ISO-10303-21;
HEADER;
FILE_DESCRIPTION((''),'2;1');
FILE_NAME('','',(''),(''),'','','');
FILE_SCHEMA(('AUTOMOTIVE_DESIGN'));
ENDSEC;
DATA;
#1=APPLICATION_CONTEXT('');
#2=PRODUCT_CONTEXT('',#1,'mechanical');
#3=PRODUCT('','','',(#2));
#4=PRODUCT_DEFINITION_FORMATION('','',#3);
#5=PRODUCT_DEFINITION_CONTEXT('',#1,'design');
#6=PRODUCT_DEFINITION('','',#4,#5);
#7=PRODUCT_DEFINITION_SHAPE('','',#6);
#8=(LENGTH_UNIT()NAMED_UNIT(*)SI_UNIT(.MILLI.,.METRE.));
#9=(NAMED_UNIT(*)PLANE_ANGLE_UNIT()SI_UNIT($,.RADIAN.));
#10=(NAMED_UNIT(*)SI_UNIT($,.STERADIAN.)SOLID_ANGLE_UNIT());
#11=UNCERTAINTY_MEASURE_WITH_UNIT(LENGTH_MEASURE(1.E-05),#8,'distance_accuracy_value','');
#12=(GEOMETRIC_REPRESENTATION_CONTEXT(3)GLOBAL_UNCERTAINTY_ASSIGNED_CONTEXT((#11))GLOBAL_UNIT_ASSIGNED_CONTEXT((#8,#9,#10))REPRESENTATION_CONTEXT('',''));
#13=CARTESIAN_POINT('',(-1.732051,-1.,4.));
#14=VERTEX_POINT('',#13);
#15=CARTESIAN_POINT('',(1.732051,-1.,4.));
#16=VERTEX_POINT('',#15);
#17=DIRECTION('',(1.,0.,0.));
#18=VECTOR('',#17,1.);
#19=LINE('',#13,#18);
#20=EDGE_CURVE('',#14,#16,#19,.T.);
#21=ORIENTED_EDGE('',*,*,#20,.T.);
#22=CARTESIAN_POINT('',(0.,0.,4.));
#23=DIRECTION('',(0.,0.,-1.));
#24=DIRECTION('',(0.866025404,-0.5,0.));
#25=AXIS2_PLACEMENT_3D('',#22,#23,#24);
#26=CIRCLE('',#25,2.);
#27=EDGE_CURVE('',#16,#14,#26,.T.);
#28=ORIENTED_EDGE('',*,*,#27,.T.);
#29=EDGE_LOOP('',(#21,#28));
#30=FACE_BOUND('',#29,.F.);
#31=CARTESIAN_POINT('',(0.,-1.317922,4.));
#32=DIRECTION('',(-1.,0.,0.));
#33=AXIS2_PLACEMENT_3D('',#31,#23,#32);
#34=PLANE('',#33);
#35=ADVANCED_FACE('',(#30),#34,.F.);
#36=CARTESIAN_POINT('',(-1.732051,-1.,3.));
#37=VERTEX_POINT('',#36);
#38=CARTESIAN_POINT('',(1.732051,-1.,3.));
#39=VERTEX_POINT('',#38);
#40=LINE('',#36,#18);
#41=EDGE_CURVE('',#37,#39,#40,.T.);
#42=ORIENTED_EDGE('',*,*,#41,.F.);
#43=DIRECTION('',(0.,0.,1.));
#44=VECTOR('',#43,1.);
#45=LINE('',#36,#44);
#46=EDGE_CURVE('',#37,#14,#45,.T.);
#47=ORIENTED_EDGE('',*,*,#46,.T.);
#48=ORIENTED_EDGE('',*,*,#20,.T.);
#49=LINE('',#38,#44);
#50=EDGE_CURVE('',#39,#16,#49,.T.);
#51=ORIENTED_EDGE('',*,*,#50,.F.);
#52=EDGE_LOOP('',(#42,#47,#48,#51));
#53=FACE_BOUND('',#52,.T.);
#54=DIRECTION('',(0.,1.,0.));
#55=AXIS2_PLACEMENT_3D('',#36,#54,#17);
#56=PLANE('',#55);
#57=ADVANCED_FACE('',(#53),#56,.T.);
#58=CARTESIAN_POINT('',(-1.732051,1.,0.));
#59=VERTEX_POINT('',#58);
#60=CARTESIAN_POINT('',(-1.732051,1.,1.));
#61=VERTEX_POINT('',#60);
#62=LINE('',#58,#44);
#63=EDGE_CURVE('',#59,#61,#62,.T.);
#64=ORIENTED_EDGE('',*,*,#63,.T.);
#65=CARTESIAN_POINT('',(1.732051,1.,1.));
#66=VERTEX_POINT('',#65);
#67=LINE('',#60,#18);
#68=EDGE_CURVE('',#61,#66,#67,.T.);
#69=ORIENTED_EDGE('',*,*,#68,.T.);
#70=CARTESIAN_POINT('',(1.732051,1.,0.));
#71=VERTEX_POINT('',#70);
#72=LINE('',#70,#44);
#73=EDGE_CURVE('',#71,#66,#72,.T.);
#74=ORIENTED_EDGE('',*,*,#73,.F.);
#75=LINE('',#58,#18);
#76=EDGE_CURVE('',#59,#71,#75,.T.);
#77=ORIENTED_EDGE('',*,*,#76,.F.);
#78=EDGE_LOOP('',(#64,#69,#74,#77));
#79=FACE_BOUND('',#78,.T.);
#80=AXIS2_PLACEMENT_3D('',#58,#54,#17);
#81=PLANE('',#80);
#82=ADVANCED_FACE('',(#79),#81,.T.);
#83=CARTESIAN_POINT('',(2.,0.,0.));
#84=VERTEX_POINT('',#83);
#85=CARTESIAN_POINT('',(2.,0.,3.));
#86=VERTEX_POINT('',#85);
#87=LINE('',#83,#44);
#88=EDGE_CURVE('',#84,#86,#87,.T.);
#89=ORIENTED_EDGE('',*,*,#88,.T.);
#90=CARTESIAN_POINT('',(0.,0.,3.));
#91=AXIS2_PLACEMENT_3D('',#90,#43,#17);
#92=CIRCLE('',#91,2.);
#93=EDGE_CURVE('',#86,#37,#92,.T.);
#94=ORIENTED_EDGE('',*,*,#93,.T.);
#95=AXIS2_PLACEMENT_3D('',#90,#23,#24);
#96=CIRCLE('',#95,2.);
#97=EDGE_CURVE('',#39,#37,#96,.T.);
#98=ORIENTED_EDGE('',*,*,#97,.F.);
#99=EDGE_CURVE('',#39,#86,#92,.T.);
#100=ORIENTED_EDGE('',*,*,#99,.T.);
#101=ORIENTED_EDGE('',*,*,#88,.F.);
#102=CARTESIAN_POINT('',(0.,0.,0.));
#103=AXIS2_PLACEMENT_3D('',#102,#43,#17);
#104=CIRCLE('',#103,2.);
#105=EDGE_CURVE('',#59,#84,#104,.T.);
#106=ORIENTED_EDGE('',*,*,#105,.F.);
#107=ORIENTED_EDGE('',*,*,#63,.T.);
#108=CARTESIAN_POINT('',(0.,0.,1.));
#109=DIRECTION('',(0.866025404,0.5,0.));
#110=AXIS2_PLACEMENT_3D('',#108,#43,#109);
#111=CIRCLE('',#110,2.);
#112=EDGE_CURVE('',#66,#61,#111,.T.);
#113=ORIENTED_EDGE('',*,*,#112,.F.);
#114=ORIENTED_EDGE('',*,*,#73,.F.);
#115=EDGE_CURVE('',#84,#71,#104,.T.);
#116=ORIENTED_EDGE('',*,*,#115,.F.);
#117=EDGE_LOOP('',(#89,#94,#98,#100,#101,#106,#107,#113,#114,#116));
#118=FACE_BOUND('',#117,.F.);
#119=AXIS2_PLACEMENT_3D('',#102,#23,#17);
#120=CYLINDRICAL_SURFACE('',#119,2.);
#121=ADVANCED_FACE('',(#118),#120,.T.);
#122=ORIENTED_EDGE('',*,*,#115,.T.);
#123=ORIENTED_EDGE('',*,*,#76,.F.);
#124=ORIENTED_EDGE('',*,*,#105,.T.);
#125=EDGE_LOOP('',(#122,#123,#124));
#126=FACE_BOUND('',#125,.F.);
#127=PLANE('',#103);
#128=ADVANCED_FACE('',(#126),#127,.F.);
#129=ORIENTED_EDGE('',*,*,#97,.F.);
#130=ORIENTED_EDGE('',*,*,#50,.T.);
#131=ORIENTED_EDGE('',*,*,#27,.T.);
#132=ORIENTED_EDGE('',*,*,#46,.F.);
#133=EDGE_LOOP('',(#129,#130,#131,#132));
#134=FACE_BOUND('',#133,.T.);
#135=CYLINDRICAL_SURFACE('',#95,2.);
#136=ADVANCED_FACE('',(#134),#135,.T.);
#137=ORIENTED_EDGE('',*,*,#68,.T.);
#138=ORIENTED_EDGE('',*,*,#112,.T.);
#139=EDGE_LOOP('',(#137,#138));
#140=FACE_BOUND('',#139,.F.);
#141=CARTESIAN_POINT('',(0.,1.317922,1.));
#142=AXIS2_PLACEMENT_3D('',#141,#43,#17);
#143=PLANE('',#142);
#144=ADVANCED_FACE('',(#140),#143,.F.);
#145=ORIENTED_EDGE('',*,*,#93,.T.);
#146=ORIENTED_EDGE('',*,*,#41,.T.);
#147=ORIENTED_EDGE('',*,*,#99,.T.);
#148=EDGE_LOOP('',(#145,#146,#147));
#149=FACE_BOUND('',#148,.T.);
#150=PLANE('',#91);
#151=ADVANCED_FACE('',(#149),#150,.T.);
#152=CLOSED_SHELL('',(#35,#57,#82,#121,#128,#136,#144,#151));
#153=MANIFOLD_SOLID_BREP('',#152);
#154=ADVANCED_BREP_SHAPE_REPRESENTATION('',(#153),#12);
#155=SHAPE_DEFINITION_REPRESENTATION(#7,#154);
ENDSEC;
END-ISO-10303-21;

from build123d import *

# Parameters (mm, degrees)
SKETCH1_R           = 2
BOSS_EXTRUDE1_DEPTH = 3
BOSS_EXTRUDE2_DEPTH = 1
CUT_EXTRUDE1_DEPTH  = 1


with BuildPart() as part:
    # Sketch1 → Boss-Extrude1 (new body)
    with BuildSketch(Plane.XY):
        Circle(SKETCH1_R)
    extrude(amount=BOSS_EXTRUDE1_DEPTH)

    # Sketch2 → Boss-Extrude2 (add)
    with BuildSketch(Plane.XY.offset(3)):
        with BuildLine():
            Line((-1.732050808, -1), (1.732050808, -1))
            ThreePointArc((1.732050808, -1), (0, -2), (-1.732050808, -1))
        make_face()
    extrude(amount=BOSS_EXTRUDE2_DEPTH)

    # Sketch3 → Cut-Extrude1 (cut)
    with BuildSketch(Plane(origin=(0, 0, 0), x_dir=(-1, 0, 0), z_dir=(0, 0, -1))):
        with BuildLine():
            Line((1.732050808, 1), (-1.732050808, 1))
            ThreePointArc((-1.732050808, 1), (0, 2), (1.732050808, 1))
        make_face()
    extrude(amount=-CUT_EXTRUDE1_DEPTH, mode=Mode.SUBTRACT)


solid = part.part
